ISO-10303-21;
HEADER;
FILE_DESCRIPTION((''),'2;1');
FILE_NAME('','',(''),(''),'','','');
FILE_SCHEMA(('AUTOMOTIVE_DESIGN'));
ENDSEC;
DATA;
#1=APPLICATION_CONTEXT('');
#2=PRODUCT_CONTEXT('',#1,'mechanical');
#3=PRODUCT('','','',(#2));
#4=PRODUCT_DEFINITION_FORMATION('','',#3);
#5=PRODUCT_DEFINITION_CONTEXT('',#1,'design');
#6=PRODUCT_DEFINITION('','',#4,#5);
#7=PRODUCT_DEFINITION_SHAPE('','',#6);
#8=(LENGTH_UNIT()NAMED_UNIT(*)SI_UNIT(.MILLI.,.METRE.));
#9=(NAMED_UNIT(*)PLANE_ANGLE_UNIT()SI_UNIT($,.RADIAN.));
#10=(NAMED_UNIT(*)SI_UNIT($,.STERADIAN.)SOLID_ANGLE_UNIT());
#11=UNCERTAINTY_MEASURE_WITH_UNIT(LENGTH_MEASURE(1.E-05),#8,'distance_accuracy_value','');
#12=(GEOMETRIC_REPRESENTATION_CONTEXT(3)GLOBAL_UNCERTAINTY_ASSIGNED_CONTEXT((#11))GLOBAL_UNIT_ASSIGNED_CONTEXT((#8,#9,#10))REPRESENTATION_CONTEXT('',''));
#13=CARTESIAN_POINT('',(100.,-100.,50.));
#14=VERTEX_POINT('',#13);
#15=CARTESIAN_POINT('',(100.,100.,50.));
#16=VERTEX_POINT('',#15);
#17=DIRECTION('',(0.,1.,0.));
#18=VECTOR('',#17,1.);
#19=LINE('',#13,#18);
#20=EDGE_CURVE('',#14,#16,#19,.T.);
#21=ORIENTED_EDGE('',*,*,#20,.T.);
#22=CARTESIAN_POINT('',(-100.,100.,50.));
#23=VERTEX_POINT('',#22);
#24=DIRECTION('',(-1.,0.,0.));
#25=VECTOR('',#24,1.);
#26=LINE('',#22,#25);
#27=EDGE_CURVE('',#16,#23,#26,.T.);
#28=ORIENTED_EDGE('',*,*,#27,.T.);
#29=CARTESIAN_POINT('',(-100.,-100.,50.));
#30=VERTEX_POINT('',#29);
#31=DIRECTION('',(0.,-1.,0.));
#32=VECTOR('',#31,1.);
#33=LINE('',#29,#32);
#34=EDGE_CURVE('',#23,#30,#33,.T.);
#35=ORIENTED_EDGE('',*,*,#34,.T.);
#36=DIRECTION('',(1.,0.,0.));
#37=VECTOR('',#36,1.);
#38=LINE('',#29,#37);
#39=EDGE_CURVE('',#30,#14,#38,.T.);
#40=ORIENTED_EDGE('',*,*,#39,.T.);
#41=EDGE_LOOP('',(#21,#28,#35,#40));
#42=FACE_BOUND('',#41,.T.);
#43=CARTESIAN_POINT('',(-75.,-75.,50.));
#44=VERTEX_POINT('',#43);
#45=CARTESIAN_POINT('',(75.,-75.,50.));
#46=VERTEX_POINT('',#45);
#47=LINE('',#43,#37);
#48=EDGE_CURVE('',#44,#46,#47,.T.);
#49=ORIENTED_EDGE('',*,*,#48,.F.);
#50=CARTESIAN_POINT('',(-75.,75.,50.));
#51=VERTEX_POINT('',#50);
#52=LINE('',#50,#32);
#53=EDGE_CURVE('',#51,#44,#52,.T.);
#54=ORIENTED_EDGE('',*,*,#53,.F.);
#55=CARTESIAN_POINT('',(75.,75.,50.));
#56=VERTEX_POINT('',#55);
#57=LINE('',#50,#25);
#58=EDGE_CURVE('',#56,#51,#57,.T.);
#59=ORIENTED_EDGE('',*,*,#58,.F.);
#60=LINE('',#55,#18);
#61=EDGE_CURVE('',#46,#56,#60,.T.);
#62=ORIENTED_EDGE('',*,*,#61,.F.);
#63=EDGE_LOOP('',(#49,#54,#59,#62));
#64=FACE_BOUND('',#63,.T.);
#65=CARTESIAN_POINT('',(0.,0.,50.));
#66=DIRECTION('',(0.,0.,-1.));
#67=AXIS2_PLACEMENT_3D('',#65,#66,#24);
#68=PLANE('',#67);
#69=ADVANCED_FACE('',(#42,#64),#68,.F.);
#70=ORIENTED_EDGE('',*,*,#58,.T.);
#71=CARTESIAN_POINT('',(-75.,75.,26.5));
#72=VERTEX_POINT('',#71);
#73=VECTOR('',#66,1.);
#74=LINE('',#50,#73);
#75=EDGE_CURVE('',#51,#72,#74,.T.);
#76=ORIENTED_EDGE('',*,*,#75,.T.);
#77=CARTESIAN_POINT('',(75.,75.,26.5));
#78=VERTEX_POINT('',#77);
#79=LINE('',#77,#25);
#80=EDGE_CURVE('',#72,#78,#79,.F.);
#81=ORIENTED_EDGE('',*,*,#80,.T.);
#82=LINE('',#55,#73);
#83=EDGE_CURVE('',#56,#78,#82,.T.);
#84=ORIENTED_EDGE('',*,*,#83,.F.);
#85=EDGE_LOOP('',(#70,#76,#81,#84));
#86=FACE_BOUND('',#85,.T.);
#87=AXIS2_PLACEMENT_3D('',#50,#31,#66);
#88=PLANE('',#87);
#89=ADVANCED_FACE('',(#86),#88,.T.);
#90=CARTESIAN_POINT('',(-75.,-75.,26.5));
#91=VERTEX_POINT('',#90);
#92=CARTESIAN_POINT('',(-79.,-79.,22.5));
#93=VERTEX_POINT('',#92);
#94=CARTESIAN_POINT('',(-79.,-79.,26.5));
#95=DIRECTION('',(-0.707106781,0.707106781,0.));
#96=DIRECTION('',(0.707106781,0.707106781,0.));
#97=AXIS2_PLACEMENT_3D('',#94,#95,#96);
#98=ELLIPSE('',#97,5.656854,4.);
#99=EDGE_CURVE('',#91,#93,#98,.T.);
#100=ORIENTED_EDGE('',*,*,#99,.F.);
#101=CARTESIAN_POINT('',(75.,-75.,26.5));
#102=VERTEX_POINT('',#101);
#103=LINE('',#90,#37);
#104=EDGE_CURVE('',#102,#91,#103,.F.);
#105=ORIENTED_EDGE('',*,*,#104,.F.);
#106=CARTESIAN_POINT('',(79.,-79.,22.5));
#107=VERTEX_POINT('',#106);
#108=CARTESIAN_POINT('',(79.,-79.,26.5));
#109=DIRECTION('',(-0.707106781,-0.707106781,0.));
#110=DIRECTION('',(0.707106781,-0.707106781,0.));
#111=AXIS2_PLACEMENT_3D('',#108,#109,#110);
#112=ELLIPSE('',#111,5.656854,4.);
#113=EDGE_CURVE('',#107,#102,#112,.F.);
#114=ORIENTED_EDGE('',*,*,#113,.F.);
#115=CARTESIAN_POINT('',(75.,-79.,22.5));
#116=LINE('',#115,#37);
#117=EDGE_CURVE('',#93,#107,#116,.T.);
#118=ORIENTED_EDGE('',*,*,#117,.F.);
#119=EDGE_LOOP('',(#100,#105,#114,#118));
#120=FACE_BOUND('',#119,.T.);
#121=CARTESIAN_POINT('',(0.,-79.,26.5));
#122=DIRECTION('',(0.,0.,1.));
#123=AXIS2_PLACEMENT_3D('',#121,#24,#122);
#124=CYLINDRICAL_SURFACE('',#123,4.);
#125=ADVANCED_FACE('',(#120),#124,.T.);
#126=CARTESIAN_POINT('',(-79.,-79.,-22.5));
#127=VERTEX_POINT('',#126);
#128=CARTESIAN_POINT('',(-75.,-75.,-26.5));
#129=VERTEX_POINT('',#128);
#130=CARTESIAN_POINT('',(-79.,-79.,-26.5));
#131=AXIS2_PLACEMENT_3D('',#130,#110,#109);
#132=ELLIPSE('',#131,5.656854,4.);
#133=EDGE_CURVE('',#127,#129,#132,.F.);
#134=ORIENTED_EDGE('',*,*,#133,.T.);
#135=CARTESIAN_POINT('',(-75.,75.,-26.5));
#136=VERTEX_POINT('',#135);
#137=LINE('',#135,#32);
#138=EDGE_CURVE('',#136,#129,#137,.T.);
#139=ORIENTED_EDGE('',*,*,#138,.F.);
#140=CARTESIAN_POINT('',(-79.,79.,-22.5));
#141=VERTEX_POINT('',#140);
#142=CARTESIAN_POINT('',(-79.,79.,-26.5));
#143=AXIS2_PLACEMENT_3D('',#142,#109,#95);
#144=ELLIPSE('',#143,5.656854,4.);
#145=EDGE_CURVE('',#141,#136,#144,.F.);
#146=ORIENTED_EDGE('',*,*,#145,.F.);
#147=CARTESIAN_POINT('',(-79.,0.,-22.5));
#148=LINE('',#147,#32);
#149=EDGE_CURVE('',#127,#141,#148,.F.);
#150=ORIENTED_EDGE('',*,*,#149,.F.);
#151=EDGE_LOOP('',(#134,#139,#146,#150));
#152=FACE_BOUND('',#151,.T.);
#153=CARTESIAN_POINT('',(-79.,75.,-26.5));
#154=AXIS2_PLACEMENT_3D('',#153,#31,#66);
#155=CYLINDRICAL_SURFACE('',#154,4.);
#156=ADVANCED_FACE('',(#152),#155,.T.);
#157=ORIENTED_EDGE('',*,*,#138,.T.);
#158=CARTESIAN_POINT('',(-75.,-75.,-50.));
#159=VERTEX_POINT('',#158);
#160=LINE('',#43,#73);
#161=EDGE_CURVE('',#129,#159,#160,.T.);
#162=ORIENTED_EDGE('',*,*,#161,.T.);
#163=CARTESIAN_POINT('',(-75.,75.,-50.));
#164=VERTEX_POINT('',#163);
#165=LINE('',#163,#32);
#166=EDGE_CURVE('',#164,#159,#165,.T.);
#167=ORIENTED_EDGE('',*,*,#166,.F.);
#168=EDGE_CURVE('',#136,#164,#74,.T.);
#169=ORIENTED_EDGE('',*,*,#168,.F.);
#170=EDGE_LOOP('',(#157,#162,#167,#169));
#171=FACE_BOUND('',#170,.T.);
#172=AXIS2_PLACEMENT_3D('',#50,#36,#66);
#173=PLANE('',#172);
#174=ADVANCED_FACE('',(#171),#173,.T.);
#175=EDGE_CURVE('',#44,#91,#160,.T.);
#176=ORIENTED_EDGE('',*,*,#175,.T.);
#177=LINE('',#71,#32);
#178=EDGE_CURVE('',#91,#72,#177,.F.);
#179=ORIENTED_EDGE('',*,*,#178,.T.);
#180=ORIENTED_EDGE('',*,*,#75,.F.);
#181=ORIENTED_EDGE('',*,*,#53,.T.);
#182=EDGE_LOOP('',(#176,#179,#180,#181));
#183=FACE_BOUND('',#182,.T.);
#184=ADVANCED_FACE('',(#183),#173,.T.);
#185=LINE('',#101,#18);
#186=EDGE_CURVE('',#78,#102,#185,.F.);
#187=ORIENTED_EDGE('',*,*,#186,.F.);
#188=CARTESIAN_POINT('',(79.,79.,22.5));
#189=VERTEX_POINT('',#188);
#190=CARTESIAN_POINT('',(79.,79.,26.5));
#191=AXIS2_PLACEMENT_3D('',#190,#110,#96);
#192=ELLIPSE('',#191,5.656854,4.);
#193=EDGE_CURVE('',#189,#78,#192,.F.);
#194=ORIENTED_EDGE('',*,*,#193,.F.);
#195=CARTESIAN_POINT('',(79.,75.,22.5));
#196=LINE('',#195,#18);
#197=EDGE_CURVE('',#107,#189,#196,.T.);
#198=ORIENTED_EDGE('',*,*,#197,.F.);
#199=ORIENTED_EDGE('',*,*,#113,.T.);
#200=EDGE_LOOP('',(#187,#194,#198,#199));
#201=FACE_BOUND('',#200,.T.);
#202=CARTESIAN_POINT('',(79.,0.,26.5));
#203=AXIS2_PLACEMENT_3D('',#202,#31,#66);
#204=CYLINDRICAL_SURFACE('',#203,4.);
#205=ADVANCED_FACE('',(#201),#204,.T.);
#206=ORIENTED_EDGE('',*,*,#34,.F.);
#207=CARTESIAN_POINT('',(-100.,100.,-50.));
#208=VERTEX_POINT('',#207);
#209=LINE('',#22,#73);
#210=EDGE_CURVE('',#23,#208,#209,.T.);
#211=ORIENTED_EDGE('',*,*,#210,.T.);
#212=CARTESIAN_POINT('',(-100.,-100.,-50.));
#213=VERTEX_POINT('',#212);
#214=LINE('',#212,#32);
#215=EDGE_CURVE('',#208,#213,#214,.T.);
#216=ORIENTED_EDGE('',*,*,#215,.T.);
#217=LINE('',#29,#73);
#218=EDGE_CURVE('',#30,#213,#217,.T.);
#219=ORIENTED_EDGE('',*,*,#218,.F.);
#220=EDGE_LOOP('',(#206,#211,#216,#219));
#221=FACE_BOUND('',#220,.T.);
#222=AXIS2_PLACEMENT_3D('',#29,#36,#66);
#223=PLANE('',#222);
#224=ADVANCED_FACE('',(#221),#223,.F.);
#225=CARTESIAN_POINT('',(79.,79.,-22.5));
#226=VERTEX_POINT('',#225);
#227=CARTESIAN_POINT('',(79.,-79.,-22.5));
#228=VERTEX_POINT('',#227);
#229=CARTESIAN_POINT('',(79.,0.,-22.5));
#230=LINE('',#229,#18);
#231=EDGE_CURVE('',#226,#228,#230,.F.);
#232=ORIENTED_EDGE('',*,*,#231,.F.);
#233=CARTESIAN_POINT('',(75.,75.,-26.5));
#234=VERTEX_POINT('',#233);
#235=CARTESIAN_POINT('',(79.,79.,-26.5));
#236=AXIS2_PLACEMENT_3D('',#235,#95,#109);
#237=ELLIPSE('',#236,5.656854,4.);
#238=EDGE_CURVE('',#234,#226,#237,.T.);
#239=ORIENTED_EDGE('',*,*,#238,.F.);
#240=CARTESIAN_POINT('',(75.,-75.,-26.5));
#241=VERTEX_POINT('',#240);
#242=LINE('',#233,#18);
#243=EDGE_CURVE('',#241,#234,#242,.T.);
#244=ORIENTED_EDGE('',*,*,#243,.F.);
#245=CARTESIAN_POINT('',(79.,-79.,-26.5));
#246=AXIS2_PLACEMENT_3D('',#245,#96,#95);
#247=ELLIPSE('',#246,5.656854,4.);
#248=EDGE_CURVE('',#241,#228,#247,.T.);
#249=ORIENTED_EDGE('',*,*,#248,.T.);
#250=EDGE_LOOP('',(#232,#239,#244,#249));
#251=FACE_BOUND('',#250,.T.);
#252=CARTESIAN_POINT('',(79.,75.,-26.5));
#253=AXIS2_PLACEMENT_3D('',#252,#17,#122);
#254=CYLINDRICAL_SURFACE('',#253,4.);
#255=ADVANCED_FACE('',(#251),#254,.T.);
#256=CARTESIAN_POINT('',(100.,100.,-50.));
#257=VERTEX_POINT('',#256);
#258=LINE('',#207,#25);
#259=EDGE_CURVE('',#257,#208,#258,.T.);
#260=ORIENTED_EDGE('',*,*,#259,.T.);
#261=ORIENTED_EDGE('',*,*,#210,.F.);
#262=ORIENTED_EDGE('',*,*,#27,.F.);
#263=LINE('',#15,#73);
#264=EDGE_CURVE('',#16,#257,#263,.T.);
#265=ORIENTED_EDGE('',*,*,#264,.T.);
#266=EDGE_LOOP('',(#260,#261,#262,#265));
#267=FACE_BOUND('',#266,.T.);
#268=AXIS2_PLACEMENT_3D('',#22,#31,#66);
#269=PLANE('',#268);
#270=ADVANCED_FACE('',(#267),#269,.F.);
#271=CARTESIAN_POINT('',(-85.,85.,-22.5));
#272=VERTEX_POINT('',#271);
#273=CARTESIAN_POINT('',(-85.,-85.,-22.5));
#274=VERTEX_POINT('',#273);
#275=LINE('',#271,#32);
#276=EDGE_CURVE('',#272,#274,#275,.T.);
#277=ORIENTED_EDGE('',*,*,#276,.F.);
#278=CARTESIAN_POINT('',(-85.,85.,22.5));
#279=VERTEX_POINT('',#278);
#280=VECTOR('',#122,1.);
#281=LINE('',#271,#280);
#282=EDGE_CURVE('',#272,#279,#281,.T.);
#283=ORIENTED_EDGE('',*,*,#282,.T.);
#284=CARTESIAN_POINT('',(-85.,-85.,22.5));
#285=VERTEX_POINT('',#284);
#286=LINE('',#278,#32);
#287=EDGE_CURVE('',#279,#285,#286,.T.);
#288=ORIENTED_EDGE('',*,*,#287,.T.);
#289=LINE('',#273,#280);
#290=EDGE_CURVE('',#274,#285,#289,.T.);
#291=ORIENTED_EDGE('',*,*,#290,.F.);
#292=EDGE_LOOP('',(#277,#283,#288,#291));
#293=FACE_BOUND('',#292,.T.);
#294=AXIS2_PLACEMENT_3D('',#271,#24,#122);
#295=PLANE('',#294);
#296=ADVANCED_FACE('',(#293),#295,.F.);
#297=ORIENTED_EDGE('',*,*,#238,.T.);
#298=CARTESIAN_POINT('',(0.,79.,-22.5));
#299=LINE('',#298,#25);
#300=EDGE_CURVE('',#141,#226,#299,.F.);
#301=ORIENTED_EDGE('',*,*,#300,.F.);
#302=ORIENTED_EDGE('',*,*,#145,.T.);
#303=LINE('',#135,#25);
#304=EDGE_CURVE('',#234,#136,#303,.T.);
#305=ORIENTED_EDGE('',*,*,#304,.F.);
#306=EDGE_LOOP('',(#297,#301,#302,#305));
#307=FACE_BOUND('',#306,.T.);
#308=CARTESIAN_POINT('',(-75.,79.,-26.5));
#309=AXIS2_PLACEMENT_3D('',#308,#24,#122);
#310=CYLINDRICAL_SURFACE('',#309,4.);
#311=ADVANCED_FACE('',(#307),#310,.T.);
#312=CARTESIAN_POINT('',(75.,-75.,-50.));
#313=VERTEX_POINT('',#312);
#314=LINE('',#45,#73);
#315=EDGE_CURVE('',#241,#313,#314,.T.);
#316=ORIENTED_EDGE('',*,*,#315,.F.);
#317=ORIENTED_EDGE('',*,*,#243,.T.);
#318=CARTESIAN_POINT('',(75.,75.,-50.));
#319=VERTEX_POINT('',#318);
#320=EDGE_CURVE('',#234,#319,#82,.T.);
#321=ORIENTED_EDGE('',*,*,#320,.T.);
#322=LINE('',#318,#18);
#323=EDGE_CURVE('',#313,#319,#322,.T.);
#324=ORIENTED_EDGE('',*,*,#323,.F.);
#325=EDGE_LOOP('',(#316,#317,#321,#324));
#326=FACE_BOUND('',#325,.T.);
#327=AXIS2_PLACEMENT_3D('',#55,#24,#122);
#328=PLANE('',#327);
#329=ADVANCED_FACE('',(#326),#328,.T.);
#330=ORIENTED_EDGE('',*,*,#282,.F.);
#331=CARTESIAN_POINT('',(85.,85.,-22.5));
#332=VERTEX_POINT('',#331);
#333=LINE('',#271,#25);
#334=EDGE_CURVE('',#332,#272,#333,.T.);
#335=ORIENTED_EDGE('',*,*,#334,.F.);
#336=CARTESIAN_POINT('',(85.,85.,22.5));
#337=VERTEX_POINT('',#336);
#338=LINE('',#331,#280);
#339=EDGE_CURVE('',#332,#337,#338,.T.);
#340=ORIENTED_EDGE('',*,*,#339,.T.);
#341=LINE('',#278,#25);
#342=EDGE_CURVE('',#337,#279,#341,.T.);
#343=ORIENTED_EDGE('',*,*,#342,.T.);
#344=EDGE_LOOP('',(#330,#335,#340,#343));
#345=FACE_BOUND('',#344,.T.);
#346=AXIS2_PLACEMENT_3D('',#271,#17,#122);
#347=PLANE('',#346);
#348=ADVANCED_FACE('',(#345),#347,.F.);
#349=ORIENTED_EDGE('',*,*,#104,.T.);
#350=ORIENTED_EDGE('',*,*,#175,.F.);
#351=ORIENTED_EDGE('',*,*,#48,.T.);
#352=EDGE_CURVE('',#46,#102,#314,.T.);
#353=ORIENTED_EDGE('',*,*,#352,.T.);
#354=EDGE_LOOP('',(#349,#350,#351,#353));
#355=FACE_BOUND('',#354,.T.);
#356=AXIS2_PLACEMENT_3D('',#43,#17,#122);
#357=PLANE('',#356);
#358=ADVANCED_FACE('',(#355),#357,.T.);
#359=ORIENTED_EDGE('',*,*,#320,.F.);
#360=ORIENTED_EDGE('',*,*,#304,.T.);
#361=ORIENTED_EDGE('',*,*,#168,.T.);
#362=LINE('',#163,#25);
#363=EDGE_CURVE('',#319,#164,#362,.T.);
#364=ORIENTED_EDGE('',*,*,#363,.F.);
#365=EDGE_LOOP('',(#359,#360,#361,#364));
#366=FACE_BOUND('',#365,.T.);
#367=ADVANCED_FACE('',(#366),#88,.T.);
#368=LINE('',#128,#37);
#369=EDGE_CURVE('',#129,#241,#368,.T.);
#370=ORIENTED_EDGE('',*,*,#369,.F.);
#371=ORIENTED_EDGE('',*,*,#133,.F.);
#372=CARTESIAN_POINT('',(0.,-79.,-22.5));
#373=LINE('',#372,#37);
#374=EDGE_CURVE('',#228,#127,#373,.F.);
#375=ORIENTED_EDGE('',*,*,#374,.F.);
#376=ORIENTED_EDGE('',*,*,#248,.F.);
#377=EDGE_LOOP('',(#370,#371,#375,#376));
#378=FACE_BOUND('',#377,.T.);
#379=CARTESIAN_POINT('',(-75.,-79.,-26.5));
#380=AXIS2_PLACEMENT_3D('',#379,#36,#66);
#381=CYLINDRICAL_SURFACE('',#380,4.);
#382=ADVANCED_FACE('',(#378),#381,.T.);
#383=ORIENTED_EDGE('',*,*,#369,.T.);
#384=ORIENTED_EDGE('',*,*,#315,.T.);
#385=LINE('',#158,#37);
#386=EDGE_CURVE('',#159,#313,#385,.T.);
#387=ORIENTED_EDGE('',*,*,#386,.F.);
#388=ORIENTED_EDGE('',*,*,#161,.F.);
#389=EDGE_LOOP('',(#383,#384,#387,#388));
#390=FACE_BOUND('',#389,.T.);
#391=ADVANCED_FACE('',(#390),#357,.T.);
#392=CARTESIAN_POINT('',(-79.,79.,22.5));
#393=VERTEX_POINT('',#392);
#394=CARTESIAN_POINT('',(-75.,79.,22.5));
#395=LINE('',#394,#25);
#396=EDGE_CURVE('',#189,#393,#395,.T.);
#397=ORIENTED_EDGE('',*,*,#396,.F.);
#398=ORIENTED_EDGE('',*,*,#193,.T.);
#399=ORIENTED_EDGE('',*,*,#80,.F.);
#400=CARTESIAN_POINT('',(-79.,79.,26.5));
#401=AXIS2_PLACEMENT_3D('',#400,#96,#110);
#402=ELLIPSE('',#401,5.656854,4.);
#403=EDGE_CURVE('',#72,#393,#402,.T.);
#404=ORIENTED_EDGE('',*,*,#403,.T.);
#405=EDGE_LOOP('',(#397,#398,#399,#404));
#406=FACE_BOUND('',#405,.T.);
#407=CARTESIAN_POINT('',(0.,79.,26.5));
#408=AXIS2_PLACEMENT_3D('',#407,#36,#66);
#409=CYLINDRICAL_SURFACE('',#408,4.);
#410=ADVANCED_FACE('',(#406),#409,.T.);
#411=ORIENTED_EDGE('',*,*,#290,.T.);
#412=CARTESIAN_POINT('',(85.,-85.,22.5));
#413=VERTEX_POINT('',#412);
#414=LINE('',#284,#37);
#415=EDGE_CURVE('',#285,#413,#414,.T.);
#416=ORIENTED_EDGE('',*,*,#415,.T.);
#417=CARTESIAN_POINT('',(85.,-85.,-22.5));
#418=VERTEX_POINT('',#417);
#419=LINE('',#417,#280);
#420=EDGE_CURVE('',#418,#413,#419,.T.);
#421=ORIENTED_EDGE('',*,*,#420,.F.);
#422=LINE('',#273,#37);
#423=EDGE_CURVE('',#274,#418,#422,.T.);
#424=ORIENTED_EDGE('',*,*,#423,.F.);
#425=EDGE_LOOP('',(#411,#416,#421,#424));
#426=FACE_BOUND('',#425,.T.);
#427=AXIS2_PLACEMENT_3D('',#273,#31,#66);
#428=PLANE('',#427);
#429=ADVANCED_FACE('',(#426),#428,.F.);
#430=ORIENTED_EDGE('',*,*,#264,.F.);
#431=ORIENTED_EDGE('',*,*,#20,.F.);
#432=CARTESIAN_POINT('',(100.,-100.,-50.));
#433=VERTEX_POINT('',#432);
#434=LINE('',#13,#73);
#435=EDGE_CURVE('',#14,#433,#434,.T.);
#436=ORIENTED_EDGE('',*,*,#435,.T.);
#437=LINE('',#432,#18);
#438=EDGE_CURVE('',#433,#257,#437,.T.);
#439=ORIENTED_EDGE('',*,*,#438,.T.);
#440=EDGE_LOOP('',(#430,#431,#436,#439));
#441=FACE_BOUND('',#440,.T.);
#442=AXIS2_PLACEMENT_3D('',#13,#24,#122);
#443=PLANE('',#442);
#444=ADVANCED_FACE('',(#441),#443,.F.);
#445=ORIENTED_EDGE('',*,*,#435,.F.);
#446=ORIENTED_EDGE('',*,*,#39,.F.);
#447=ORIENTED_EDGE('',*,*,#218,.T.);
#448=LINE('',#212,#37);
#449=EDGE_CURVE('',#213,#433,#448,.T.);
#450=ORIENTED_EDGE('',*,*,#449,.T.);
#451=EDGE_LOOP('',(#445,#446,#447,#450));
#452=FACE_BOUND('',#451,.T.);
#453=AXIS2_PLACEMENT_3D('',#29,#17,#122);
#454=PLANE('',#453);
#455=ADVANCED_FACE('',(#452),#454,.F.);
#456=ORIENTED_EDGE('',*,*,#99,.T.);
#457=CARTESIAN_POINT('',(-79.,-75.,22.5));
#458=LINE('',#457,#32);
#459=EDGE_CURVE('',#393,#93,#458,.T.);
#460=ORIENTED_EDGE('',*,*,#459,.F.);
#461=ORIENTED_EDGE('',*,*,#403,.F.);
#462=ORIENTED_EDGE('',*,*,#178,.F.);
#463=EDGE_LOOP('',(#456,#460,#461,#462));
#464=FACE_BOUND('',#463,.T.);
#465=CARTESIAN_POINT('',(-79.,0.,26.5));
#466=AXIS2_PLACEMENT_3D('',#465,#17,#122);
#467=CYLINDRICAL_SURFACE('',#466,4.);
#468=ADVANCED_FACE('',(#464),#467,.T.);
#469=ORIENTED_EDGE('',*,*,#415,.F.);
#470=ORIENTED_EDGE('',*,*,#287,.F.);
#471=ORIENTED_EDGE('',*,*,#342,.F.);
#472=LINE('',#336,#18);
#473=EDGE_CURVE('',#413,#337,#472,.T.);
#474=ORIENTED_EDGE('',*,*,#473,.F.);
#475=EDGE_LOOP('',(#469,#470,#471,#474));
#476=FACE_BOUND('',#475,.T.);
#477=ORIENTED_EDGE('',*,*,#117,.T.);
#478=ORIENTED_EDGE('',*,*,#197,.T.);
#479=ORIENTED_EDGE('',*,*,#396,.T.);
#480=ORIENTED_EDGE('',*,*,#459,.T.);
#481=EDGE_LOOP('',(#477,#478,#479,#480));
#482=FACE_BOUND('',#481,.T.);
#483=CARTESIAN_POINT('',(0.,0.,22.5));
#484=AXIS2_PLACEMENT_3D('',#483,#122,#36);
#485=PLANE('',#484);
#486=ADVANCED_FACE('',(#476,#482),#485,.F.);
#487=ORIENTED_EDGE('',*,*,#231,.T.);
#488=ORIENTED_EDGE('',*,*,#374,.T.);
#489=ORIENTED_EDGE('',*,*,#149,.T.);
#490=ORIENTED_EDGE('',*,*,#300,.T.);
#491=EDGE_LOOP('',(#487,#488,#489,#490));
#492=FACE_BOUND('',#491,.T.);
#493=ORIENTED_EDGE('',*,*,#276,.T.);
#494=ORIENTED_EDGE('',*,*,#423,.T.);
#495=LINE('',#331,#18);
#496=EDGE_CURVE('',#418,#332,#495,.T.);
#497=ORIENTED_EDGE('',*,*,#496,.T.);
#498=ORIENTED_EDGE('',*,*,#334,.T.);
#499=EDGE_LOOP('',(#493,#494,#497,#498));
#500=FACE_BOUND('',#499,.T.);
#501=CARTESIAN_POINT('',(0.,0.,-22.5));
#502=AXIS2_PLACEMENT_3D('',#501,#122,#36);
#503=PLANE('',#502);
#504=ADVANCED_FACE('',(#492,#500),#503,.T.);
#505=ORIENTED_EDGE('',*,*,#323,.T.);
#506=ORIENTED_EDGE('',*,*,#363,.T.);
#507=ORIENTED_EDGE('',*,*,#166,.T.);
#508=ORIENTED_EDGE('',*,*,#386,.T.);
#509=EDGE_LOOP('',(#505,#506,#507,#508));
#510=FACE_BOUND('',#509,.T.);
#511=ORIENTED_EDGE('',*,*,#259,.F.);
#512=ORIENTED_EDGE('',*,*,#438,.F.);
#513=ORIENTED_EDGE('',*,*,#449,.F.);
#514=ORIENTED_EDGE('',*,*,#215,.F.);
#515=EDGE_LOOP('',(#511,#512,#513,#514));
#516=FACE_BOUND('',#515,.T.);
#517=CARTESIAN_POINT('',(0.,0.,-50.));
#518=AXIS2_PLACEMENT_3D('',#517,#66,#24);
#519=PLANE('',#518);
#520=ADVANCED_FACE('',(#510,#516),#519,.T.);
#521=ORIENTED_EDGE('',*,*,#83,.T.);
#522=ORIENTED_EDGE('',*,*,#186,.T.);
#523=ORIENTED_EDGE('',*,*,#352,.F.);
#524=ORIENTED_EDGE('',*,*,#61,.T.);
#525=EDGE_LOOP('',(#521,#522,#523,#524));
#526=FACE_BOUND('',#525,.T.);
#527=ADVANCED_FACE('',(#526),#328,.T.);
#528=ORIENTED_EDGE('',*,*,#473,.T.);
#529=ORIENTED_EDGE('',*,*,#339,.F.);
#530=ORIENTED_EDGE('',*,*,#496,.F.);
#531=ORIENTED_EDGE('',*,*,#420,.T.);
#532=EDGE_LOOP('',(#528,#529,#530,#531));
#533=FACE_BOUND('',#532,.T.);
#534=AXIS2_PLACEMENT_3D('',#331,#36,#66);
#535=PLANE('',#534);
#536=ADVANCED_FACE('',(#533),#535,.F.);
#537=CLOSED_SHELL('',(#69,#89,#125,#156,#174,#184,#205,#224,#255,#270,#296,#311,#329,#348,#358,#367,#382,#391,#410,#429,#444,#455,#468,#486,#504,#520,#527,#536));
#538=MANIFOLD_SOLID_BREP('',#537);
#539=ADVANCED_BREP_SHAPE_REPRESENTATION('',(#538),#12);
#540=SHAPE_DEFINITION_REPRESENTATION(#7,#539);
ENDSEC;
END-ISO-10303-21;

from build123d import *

# Parameters (mm, degrees)
SKETCH1_W           = 200
SKETCH1_H           = 200
SKETCH1_W_2         = 150
SKETCH1_H_2         = 150
BOSS_EXTRUDE1_DEPTH = 50
SKETCH2_W           = 170
SKETCH2_H           = 170
CUT_EXTRUDE1_DEPTH  = 22.5
FILLET1_R           = 4
FILLET2_R           = 4


with BuildPart() as part:
    # Sketch1 → Boss-Extrude1 (new, symmetric)
    with BuildSketch(Plane.XY):
        Rectangle(SKETCH1_W, SKETCH1_H)
        Rectangle(SKETCH1_W_2, SKETCH1_H_2, mode=Mode.SUBTRACT)
    extrude(amount=BOSS_EXTRUDE1_DEPTH, both=True)

    # Sketch2 → Cut-Extrude1 (cut, symmetric)
    with BuildSketch(Plane.XY):
        Rectangle(SKETCH2_W, SKETCH2_H)
    extrude(amount=CUT_EXTRUDE1_DEPTH, both=True, mode=Mode.SUBTRACT)

    # Fillet1
    fillet1_edges = [part.edges().sort_by_distance(p)[0] for p in [
        (0, -75, -22.5),
        (75, 0, -22.5),
        (0, 75, -22.5),
        (-75, 0, -22.5),
    ]]
    fillet(fillet1_edges, radius=FILLET1_R)

    # Fillet2
    fillet2_edges = [part.edges().sort_by_distance(p)[0] for p in [
        (0, -75, 22.5),
        (75, 0, 22.5),
        (0, 75, 22.5),
        (-75, 0, 22.5),
    ]]
    fillet(fillet2_edges, radius=FILLET2_R)


solid = part.part
